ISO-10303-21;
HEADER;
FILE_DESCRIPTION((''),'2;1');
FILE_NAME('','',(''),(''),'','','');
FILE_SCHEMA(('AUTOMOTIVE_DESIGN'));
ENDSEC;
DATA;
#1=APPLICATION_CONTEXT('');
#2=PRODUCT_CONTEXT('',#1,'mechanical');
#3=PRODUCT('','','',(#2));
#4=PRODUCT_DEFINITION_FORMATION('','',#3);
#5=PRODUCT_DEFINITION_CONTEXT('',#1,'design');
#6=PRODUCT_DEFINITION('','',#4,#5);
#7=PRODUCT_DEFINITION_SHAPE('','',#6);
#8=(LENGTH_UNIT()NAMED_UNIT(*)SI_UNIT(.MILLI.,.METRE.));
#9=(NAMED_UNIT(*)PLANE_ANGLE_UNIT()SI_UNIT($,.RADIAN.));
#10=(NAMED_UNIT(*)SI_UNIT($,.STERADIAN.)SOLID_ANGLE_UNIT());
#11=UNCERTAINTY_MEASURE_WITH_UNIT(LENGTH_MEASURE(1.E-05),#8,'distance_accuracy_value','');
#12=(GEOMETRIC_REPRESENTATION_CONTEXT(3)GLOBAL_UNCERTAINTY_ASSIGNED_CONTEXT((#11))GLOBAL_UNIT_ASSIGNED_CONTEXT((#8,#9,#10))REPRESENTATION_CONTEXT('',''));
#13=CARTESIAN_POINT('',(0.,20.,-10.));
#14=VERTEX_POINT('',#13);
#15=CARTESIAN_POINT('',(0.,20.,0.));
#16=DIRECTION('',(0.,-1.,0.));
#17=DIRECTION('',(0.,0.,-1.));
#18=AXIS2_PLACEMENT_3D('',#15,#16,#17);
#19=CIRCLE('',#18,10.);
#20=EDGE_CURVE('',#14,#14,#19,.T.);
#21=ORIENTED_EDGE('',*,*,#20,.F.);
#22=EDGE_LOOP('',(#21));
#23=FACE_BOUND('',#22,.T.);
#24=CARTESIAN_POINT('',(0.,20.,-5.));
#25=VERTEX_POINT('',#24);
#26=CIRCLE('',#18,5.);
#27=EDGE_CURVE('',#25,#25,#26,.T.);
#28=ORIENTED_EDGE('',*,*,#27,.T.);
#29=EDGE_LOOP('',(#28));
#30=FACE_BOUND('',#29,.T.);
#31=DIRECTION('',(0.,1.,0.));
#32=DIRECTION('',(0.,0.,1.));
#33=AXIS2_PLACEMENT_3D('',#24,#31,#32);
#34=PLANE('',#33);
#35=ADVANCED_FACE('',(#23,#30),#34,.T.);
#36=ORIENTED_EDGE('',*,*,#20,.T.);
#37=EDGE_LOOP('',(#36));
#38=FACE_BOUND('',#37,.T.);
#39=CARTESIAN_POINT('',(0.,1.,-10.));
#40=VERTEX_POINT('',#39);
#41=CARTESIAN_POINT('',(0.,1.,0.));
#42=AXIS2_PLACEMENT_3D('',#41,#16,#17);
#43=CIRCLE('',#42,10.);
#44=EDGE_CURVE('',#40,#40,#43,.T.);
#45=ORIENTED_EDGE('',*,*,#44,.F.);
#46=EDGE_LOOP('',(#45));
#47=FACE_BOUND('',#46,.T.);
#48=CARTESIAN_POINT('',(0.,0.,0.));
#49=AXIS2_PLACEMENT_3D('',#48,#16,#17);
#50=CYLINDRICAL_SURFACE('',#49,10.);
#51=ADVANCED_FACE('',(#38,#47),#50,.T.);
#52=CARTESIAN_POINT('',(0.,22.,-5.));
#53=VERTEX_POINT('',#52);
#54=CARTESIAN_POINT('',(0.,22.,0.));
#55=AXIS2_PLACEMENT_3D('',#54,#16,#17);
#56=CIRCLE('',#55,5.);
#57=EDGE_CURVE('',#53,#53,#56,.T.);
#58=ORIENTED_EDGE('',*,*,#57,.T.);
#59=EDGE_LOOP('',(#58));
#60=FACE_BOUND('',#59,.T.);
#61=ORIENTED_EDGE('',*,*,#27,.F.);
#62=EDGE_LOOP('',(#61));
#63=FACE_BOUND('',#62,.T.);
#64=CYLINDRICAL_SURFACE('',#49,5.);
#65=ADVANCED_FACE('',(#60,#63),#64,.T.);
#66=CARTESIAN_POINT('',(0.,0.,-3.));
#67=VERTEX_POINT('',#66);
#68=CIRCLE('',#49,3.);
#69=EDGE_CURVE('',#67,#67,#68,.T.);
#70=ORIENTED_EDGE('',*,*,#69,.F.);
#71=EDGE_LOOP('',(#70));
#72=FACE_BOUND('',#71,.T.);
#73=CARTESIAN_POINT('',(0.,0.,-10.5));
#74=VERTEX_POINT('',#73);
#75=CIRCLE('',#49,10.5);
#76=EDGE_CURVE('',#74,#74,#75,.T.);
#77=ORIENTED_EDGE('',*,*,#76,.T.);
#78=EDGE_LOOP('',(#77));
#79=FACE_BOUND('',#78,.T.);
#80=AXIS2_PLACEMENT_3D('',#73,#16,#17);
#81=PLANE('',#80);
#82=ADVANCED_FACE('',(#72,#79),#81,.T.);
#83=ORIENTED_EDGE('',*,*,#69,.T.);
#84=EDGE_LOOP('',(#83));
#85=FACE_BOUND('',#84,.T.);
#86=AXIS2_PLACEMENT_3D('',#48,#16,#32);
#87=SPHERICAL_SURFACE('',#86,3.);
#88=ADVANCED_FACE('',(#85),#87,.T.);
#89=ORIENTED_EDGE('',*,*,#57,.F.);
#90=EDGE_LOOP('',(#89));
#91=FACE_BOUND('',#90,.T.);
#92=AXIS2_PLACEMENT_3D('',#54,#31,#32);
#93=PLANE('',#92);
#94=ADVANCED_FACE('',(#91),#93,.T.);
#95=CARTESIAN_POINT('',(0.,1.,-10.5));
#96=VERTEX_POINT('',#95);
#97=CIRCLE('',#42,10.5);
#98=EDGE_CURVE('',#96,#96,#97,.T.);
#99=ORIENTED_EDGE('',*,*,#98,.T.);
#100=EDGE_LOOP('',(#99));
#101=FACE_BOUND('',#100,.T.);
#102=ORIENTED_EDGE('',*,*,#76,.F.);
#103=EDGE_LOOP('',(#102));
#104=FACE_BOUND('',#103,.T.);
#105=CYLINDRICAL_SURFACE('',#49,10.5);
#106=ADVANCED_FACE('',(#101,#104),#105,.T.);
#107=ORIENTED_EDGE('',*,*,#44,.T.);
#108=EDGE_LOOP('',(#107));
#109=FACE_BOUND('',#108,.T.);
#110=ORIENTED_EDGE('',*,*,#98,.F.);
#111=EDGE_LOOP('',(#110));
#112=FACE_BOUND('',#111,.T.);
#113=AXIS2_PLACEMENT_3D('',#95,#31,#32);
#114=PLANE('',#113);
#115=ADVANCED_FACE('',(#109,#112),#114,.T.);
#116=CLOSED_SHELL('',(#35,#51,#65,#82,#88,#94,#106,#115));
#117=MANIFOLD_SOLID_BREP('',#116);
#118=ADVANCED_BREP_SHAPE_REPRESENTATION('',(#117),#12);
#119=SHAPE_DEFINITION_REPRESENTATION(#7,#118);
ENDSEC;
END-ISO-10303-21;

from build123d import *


with BuildPart() as part:
    # Esquisse1 → Révolution1 (revolve)
    with BuildSketch(Plane(origin=(0, 0, 0), x_dir=(0, 0, -1), z_dir=(1, 0, 0))):
        with BuildLine():
            Line((10.5, 0), (3, 0))
            ThreePointArc((3, 0), (2.121320344, -2.121320344), (0, -3))
            Line((0, -3), (0, 0))
            Line((0, 0), (0, 20))
            Line((0, 20), (0, 22))
            Line((0, 22), (5, 22))
            Line((5, 22), (5, 20))
            Line((5, 20), (10, 20))
            Line((10, 20), (10, 1))
            Line((10, 1), (10.5, 1))
            Line((10.5, 1), (10.5, 0))
        make_face()
    revolve(axis=Axis((0, 0, 0), (0, 1, 0)))


solid = part.part
